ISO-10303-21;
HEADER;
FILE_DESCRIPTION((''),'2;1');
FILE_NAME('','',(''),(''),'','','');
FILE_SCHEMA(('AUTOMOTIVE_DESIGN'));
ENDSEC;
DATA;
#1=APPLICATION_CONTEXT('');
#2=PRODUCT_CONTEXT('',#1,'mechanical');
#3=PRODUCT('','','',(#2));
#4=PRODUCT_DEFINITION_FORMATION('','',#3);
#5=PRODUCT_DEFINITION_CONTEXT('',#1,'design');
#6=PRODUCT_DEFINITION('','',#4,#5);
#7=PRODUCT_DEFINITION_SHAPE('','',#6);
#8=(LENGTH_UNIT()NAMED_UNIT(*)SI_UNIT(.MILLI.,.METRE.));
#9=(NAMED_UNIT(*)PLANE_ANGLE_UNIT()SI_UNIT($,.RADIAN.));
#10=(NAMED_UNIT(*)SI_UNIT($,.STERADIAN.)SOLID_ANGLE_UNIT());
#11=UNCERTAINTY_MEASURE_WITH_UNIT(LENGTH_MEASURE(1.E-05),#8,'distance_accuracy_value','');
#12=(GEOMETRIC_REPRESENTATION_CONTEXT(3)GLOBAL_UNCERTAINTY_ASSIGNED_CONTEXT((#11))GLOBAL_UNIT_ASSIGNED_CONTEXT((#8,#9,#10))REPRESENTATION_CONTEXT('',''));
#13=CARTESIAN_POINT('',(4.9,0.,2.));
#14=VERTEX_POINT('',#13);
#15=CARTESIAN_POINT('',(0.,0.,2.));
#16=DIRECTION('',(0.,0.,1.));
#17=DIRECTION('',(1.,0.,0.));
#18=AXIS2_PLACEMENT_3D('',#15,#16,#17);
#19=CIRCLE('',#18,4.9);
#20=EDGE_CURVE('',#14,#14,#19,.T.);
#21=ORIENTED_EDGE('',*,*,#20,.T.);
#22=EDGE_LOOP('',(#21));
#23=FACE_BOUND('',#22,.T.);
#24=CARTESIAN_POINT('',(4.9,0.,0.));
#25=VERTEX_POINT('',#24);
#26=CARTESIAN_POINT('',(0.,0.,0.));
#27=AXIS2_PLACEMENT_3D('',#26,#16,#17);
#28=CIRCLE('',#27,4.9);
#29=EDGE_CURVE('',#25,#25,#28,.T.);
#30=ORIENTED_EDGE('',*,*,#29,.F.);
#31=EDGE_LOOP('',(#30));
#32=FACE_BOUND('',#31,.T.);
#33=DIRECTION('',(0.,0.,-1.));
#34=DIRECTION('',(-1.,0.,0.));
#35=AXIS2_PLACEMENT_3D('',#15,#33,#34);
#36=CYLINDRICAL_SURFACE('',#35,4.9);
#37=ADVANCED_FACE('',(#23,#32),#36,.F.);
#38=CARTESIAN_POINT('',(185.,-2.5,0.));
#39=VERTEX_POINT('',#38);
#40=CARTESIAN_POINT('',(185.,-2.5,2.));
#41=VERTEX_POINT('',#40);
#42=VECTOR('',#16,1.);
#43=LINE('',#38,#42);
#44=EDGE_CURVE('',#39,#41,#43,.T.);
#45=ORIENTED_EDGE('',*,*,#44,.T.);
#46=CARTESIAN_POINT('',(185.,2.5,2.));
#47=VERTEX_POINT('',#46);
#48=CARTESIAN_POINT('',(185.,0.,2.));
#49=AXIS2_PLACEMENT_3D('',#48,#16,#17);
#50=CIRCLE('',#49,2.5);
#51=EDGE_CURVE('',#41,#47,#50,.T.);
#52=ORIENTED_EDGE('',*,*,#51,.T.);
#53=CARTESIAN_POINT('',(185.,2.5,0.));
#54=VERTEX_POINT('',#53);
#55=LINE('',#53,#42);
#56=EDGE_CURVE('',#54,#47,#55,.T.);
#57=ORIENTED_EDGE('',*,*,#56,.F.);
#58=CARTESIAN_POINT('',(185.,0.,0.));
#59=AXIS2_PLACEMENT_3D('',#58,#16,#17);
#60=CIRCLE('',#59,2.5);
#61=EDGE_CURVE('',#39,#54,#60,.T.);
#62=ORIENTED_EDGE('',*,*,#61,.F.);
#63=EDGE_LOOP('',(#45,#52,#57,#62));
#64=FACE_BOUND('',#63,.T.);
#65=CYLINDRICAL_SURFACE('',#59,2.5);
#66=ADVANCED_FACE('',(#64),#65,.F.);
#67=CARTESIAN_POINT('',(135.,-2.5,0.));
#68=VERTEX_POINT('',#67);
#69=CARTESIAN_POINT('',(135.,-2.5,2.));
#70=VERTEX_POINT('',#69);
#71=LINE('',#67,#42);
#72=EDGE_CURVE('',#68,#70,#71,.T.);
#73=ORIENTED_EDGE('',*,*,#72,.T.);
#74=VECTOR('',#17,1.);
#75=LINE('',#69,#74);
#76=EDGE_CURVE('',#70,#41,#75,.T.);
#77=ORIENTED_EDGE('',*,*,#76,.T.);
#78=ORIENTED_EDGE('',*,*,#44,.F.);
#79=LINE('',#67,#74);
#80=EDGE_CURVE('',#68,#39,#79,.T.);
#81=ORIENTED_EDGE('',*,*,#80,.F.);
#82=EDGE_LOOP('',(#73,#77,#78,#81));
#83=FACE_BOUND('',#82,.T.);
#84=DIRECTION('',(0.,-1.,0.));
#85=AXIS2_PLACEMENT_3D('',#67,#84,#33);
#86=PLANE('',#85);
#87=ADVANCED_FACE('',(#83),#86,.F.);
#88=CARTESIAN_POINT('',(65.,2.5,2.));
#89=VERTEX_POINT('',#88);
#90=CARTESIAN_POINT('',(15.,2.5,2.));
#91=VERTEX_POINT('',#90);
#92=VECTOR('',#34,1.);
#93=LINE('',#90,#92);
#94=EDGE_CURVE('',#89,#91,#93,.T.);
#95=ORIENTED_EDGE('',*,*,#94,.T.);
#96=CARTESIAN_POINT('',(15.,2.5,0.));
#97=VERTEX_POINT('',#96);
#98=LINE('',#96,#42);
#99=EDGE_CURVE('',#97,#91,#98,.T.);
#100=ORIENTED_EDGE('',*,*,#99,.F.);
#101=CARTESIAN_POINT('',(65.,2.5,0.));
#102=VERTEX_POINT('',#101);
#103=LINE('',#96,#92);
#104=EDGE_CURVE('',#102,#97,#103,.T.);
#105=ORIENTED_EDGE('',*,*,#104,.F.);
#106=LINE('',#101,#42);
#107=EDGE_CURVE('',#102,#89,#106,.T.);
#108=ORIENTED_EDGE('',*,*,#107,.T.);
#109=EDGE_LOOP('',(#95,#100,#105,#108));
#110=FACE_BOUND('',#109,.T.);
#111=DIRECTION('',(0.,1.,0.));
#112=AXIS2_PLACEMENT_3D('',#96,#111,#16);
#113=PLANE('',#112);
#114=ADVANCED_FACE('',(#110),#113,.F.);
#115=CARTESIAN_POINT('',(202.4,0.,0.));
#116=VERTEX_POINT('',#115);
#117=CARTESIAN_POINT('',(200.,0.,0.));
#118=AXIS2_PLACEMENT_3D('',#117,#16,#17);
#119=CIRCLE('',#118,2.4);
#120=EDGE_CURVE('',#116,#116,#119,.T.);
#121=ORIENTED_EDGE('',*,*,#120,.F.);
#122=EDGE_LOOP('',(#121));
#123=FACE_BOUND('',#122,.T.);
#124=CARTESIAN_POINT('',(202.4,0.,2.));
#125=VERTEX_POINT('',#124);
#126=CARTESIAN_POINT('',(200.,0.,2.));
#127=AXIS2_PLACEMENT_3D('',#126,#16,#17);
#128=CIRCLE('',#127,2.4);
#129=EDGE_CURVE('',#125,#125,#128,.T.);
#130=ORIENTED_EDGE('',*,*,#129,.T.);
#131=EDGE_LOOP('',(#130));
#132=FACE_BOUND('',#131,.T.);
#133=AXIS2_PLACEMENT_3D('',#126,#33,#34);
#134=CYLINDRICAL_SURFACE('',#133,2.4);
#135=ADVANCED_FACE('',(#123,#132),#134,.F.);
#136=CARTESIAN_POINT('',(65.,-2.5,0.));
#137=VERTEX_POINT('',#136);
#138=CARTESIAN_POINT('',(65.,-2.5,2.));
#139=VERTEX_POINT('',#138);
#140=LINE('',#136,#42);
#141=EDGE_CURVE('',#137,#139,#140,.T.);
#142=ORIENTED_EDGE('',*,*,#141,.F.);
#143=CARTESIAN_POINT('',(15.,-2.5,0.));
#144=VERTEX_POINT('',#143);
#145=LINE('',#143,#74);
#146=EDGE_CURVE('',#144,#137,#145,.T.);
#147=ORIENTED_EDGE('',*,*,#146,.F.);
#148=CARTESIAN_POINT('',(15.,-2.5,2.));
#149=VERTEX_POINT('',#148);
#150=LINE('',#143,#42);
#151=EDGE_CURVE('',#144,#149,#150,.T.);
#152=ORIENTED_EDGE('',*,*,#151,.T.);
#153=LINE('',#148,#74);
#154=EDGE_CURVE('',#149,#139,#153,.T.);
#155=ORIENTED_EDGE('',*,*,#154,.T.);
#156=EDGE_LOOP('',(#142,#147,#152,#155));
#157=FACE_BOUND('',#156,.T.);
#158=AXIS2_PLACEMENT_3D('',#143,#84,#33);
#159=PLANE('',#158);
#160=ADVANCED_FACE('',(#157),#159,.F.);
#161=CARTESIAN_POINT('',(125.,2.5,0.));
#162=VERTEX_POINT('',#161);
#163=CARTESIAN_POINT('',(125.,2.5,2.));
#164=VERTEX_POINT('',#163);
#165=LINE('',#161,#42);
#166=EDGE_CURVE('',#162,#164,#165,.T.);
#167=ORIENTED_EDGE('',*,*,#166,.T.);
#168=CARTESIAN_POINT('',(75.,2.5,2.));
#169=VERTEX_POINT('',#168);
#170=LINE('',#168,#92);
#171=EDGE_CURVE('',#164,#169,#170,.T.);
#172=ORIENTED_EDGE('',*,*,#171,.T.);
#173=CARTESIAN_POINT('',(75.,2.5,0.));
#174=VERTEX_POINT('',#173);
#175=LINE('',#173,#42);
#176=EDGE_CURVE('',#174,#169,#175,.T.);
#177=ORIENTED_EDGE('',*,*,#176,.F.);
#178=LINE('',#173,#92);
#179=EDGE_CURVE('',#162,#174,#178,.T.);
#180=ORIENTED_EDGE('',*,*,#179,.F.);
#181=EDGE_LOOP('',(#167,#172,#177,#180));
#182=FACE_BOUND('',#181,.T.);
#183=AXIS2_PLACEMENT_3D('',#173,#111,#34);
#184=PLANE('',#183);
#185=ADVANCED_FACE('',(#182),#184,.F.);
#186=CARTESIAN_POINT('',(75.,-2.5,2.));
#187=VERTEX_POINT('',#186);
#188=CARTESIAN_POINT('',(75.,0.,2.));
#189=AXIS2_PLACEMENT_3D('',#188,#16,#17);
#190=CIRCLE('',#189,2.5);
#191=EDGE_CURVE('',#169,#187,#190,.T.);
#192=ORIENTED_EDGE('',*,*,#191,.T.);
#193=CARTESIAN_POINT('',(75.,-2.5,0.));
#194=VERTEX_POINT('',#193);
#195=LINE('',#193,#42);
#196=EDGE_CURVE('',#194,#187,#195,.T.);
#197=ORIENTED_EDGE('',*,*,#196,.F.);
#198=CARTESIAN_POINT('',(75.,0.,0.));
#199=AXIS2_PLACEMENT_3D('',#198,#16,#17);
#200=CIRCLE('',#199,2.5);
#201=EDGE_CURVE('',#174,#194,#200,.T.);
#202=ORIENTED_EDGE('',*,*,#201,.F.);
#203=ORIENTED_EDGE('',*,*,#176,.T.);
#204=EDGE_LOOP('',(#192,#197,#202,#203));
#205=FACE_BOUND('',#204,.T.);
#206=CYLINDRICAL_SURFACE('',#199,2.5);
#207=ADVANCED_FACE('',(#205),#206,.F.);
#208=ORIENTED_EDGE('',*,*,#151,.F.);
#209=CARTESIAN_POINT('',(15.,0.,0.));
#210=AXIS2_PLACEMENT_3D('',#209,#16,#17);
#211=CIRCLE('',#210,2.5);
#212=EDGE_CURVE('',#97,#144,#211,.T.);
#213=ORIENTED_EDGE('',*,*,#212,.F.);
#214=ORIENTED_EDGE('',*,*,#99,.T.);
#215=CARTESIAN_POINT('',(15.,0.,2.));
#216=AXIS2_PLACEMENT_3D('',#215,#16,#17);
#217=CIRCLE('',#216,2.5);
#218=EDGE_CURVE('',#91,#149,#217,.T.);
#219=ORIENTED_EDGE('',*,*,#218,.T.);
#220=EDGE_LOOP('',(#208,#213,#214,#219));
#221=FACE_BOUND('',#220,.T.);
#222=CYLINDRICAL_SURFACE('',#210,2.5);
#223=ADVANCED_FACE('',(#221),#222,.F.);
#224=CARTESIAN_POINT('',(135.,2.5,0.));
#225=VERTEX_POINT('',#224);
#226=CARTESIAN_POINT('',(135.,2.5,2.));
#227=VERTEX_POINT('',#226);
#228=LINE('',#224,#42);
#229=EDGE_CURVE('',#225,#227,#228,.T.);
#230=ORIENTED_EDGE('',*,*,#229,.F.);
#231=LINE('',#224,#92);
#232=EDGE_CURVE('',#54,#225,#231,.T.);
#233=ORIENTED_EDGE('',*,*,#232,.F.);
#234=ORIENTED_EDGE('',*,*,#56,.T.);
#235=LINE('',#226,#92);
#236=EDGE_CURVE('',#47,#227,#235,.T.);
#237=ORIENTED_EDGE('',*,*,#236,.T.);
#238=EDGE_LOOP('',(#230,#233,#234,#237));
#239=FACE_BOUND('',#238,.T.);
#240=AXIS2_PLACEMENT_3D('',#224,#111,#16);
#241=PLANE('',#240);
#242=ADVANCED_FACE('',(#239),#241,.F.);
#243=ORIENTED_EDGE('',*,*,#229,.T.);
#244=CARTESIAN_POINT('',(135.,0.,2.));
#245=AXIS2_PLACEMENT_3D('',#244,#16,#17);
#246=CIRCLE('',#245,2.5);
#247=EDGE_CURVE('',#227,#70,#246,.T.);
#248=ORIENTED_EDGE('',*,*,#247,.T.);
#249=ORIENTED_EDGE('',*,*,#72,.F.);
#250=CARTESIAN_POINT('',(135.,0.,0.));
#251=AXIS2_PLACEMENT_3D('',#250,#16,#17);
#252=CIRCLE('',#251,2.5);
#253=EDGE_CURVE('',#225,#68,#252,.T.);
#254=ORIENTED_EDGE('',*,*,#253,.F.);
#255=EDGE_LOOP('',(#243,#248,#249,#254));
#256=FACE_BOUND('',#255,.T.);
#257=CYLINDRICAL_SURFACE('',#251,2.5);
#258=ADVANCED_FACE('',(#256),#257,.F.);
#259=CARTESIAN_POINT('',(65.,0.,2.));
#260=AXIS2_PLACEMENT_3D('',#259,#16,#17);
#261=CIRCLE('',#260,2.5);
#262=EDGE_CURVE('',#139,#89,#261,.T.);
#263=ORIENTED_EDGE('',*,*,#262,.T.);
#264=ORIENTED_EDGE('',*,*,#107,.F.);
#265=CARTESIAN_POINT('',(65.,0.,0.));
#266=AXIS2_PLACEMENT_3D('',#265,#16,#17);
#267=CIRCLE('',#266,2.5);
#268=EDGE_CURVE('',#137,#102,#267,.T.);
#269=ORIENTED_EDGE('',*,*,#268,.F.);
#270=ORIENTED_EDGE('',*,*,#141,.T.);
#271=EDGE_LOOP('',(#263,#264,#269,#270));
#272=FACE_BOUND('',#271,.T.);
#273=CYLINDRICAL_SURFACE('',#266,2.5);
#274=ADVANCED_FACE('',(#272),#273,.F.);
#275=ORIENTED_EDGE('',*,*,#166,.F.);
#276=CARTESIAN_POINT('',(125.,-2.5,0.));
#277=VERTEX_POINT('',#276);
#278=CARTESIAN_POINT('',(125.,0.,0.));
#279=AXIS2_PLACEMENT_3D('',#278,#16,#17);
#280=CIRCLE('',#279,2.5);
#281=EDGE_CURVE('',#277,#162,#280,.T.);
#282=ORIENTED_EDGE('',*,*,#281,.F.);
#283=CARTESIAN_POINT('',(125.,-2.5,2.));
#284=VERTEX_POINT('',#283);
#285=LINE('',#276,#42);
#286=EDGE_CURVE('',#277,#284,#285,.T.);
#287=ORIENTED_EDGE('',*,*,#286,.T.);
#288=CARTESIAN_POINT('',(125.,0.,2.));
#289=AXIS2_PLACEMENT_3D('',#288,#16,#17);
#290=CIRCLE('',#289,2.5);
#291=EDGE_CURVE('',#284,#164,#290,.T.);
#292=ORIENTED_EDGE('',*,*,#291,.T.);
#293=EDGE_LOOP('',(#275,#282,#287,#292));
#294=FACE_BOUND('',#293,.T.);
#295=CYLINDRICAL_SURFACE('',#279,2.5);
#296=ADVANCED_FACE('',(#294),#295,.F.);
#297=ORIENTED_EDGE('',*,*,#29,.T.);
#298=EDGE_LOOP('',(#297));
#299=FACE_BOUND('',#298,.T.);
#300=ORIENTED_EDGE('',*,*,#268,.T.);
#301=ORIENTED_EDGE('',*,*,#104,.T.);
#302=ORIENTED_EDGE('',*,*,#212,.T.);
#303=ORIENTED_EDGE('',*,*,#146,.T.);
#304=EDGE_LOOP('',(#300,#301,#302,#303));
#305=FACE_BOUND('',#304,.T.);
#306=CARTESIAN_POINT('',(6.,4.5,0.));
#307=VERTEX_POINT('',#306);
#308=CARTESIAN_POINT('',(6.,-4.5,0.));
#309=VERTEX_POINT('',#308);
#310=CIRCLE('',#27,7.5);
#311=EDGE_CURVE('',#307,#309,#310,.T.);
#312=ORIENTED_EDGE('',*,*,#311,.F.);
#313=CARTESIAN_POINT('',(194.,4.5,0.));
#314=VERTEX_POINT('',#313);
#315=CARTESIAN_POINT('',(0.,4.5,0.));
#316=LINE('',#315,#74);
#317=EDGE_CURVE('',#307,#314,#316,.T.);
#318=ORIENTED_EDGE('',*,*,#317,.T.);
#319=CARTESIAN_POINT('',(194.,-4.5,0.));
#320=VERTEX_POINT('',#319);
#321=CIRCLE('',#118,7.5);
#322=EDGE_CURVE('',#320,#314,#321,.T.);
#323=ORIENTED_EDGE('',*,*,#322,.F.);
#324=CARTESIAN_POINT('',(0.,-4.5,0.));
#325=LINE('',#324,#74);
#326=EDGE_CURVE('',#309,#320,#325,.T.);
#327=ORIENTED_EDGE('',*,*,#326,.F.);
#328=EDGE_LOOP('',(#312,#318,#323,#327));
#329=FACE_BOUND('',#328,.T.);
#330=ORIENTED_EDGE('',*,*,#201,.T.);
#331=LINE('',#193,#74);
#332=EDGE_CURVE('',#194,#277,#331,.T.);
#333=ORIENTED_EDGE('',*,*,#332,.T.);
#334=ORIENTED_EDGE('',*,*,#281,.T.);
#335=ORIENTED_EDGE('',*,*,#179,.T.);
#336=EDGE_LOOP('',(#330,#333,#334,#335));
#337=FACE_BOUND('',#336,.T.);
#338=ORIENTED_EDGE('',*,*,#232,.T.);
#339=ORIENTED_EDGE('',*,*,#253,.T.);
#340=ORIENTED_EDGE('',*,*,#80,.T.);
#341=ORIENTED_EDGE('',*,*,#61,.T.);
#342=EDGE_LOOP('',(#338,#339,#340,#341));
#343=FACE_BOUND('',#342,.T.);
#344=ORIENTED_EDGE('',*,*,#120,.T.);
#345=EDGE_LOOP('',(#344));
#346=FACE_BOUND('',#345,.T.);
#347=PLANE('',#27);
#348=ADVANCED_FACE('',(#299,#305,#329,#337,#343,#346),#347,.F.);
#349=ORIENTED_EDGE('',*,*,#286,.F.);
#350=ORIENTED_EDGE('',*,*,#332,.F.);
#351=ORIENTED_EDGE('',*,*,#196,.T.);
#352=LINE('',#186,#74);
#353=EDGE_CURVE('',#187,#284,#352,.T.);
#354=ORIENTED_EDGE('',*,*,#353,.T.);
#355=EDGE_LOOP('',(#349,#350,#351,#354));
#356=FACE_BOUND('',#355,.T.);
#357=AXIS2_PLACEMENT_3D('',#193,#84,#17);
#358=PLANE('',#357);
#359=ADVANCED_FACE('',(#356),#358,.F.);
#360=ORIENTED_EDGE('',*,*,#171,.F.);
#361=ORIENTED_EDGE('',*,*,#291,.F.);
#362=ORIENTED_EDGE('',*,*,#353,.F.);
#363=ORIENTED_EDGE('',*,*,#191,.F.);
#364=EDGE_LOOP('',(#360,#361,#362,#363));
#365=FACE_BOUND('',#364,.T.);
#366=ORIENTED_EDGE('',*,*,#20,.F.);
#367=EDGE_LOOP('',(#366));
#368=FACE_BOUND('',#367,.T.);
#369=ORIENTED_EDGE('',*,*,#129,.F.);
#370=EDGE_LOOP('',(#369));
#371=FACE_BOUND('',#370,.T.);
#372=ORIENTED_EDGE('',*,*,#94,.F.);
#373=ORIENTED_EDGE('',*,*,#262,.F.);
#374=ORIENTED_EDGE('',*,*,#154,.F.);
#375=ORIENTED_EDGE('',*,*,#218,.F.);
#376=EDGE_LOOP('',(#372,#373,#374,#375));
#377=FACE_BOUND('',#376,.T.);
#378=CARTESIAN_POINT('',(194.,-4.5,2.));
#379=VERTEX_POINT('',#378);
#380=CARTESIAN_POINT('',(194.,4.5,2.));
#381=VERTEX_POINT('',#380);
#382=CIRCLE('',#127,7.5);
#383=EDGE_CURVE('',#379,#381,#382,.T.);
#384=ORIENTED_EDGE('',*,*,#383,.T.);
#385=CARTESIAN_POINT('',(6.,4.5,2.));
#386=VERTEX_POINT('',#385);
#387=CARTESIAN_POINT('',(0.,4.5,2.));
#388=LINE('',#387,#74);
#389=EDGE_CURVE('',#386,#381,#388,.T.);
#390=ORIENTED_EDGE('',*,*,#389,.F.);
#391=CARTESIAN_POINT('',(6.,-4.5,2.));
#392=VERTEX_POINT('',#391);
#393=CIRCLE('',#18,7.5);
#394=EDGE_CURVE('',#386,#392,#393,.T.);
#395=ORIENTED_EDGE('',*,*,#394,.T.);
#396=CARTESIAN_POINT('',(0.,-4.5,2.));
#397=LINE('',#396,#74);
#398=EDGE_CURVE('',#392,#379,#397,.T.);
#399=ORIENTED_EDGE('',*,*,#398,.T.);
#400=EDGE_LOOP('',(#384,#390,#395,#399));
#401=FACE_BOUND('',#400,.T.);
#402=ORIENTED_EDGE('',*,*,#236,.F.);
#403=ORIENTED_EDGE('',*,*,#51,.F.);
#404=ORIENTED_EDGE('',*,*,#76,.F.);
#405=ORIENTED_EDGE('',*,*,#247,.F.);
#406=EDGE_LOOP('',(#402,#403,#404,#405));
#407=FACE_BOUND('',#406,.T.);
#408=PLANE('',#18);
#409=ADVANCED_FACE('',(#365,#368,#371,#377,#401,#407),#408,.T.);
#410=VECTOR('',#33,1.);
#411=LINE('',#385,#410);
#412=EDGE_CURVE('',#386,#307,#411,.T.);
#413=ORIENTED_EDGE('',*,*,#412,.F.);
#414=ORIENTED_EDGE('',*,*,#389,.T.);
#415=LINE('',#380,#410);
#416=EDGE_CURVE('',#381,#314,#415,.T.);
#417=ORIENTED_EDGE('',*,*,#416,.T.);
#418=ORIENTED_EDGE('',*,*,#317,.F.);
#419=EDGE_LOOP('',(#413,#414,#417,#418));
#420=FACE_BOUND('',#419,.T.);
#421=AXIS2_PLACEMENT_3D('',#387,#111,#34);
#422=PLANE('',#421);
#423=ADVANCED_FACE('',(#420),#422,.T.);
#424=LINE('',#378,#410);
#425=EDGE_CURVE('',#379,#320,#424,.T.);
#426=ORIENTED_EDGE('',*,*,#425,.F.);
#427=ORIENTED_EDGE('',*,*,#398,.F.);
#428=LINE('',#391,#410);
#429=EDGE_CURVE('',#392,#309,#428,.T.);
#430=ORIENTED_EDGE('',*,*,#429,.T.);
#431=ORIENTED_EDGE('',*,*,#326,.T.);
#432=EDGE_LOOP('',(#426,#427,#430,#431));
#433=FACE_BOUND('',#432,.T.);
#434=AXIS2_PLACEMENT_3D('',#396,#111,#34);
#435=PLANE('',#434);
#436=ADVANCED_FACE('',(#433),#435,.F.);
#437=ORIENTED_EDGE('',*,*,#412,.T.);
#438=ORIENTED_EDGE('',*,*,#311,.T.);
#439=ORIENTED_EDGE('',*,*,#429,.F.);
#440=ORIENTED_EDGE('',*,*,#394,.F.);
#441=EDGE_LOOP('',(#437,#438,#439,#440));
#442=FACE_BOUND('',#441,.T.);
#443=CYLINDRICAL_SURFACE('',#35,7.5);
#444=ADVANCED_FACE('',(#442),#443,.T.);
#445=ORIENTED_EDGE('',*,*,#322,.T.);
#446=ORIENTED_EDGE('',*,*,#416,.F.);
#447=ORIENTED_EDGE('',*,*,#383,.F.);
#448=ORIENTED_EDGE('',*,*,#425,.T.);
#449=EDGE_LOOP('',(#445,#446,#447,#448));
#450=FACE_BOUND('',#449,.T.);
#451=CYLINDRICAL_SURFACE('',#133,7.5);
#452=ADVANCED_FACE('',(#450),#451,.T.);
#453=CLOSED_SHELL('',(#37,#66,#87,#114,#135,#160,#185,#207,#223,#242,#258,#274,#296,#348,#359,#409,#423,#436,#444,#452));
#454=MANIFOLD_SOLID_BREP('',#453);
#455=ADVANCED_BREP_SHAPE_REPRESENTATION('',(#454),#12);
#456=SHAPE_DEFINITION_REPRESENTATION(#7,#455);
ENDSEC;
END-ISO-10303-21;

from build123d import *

# Parameters (mm, degrees)
SKETCH1_R           = 7.5
SKETCH1_R_2         = 4.9
SKETCH1_R_3         = 2.4
SKETCH1_W           = 188
SKETCH1_H           = 9
BOSS_EXTRUDE1_DEPTH = 2
CUT_EXTRUDE1_DEPTH  = 208.645129969


with BuildPart() as part:
    # Sketch1 → Boss-Extrude1 (new body)
    # profile 1 of 3: a face of its own
    with BuildSketch(Plane.XY):
        Circle(SKETCH1_R)
        Circle(SKETCH1_R_2, mode=Mode.SUBTRACT)
    # profile 2 of 3: a face of its own
    with BuildSketch(Plane.XY):
        with Locations((200, 0)):
            Circle(SKETCH1_R)
        with Locations((200, 0)):
            Circle(SKETCH1_R_3, mode=Mode.SUBTRACT)
    # profile 3 of 3: a face of its own
    with BuildSketch(Plane.XY):
        with Locations((100, 0)):
            Rectangle(SKETCH1_W, SKETCH1_H)
    extrude(amount=BOSS_EXTRUDE1_DEPTH)

    # Sketch2 → Cut-Extrude1 (cut, through all)
    with BuildSketch(Plane.XY.offset(2)):
        with BuildLine():
            Line((75, 2.5), (125, 2.5))
            ThreePointArc((125, 2.5), (127.5, 0), (125, -2.5))
            Line((125, -2.5), (75, -2.5))
            ThreePointArc((75, -2.5), (72.5, 0), (75, 2.5))
        make_face()
        with BuildLine():
            Line((135, 2.5), (185, 2.5))
            ThreePointArc((185, 2.5), (187.5, 0), (185, -2.5))
            Line((185, -2.5), (135, -2.5))
            ThreePointArc((135, -2.5), (132.5, 0), (135, 2.5))
        make_face()
        with BuildLine():
            Line((15, 2.5), (65, 2.5))
            ThreePointArc((65, 2.5), (67.5, 0), (65, -2.5))
            Line((65, -2.5), (15, -2.5))
            ThreePointArc((15, -2.5), (12.5, 0), (15, 2.5))
        make_face()
    extrude(amount=-CUT_EXTRUDE1_DEPTH, mode=Mode.SUBTRACT)


solid = part.part
